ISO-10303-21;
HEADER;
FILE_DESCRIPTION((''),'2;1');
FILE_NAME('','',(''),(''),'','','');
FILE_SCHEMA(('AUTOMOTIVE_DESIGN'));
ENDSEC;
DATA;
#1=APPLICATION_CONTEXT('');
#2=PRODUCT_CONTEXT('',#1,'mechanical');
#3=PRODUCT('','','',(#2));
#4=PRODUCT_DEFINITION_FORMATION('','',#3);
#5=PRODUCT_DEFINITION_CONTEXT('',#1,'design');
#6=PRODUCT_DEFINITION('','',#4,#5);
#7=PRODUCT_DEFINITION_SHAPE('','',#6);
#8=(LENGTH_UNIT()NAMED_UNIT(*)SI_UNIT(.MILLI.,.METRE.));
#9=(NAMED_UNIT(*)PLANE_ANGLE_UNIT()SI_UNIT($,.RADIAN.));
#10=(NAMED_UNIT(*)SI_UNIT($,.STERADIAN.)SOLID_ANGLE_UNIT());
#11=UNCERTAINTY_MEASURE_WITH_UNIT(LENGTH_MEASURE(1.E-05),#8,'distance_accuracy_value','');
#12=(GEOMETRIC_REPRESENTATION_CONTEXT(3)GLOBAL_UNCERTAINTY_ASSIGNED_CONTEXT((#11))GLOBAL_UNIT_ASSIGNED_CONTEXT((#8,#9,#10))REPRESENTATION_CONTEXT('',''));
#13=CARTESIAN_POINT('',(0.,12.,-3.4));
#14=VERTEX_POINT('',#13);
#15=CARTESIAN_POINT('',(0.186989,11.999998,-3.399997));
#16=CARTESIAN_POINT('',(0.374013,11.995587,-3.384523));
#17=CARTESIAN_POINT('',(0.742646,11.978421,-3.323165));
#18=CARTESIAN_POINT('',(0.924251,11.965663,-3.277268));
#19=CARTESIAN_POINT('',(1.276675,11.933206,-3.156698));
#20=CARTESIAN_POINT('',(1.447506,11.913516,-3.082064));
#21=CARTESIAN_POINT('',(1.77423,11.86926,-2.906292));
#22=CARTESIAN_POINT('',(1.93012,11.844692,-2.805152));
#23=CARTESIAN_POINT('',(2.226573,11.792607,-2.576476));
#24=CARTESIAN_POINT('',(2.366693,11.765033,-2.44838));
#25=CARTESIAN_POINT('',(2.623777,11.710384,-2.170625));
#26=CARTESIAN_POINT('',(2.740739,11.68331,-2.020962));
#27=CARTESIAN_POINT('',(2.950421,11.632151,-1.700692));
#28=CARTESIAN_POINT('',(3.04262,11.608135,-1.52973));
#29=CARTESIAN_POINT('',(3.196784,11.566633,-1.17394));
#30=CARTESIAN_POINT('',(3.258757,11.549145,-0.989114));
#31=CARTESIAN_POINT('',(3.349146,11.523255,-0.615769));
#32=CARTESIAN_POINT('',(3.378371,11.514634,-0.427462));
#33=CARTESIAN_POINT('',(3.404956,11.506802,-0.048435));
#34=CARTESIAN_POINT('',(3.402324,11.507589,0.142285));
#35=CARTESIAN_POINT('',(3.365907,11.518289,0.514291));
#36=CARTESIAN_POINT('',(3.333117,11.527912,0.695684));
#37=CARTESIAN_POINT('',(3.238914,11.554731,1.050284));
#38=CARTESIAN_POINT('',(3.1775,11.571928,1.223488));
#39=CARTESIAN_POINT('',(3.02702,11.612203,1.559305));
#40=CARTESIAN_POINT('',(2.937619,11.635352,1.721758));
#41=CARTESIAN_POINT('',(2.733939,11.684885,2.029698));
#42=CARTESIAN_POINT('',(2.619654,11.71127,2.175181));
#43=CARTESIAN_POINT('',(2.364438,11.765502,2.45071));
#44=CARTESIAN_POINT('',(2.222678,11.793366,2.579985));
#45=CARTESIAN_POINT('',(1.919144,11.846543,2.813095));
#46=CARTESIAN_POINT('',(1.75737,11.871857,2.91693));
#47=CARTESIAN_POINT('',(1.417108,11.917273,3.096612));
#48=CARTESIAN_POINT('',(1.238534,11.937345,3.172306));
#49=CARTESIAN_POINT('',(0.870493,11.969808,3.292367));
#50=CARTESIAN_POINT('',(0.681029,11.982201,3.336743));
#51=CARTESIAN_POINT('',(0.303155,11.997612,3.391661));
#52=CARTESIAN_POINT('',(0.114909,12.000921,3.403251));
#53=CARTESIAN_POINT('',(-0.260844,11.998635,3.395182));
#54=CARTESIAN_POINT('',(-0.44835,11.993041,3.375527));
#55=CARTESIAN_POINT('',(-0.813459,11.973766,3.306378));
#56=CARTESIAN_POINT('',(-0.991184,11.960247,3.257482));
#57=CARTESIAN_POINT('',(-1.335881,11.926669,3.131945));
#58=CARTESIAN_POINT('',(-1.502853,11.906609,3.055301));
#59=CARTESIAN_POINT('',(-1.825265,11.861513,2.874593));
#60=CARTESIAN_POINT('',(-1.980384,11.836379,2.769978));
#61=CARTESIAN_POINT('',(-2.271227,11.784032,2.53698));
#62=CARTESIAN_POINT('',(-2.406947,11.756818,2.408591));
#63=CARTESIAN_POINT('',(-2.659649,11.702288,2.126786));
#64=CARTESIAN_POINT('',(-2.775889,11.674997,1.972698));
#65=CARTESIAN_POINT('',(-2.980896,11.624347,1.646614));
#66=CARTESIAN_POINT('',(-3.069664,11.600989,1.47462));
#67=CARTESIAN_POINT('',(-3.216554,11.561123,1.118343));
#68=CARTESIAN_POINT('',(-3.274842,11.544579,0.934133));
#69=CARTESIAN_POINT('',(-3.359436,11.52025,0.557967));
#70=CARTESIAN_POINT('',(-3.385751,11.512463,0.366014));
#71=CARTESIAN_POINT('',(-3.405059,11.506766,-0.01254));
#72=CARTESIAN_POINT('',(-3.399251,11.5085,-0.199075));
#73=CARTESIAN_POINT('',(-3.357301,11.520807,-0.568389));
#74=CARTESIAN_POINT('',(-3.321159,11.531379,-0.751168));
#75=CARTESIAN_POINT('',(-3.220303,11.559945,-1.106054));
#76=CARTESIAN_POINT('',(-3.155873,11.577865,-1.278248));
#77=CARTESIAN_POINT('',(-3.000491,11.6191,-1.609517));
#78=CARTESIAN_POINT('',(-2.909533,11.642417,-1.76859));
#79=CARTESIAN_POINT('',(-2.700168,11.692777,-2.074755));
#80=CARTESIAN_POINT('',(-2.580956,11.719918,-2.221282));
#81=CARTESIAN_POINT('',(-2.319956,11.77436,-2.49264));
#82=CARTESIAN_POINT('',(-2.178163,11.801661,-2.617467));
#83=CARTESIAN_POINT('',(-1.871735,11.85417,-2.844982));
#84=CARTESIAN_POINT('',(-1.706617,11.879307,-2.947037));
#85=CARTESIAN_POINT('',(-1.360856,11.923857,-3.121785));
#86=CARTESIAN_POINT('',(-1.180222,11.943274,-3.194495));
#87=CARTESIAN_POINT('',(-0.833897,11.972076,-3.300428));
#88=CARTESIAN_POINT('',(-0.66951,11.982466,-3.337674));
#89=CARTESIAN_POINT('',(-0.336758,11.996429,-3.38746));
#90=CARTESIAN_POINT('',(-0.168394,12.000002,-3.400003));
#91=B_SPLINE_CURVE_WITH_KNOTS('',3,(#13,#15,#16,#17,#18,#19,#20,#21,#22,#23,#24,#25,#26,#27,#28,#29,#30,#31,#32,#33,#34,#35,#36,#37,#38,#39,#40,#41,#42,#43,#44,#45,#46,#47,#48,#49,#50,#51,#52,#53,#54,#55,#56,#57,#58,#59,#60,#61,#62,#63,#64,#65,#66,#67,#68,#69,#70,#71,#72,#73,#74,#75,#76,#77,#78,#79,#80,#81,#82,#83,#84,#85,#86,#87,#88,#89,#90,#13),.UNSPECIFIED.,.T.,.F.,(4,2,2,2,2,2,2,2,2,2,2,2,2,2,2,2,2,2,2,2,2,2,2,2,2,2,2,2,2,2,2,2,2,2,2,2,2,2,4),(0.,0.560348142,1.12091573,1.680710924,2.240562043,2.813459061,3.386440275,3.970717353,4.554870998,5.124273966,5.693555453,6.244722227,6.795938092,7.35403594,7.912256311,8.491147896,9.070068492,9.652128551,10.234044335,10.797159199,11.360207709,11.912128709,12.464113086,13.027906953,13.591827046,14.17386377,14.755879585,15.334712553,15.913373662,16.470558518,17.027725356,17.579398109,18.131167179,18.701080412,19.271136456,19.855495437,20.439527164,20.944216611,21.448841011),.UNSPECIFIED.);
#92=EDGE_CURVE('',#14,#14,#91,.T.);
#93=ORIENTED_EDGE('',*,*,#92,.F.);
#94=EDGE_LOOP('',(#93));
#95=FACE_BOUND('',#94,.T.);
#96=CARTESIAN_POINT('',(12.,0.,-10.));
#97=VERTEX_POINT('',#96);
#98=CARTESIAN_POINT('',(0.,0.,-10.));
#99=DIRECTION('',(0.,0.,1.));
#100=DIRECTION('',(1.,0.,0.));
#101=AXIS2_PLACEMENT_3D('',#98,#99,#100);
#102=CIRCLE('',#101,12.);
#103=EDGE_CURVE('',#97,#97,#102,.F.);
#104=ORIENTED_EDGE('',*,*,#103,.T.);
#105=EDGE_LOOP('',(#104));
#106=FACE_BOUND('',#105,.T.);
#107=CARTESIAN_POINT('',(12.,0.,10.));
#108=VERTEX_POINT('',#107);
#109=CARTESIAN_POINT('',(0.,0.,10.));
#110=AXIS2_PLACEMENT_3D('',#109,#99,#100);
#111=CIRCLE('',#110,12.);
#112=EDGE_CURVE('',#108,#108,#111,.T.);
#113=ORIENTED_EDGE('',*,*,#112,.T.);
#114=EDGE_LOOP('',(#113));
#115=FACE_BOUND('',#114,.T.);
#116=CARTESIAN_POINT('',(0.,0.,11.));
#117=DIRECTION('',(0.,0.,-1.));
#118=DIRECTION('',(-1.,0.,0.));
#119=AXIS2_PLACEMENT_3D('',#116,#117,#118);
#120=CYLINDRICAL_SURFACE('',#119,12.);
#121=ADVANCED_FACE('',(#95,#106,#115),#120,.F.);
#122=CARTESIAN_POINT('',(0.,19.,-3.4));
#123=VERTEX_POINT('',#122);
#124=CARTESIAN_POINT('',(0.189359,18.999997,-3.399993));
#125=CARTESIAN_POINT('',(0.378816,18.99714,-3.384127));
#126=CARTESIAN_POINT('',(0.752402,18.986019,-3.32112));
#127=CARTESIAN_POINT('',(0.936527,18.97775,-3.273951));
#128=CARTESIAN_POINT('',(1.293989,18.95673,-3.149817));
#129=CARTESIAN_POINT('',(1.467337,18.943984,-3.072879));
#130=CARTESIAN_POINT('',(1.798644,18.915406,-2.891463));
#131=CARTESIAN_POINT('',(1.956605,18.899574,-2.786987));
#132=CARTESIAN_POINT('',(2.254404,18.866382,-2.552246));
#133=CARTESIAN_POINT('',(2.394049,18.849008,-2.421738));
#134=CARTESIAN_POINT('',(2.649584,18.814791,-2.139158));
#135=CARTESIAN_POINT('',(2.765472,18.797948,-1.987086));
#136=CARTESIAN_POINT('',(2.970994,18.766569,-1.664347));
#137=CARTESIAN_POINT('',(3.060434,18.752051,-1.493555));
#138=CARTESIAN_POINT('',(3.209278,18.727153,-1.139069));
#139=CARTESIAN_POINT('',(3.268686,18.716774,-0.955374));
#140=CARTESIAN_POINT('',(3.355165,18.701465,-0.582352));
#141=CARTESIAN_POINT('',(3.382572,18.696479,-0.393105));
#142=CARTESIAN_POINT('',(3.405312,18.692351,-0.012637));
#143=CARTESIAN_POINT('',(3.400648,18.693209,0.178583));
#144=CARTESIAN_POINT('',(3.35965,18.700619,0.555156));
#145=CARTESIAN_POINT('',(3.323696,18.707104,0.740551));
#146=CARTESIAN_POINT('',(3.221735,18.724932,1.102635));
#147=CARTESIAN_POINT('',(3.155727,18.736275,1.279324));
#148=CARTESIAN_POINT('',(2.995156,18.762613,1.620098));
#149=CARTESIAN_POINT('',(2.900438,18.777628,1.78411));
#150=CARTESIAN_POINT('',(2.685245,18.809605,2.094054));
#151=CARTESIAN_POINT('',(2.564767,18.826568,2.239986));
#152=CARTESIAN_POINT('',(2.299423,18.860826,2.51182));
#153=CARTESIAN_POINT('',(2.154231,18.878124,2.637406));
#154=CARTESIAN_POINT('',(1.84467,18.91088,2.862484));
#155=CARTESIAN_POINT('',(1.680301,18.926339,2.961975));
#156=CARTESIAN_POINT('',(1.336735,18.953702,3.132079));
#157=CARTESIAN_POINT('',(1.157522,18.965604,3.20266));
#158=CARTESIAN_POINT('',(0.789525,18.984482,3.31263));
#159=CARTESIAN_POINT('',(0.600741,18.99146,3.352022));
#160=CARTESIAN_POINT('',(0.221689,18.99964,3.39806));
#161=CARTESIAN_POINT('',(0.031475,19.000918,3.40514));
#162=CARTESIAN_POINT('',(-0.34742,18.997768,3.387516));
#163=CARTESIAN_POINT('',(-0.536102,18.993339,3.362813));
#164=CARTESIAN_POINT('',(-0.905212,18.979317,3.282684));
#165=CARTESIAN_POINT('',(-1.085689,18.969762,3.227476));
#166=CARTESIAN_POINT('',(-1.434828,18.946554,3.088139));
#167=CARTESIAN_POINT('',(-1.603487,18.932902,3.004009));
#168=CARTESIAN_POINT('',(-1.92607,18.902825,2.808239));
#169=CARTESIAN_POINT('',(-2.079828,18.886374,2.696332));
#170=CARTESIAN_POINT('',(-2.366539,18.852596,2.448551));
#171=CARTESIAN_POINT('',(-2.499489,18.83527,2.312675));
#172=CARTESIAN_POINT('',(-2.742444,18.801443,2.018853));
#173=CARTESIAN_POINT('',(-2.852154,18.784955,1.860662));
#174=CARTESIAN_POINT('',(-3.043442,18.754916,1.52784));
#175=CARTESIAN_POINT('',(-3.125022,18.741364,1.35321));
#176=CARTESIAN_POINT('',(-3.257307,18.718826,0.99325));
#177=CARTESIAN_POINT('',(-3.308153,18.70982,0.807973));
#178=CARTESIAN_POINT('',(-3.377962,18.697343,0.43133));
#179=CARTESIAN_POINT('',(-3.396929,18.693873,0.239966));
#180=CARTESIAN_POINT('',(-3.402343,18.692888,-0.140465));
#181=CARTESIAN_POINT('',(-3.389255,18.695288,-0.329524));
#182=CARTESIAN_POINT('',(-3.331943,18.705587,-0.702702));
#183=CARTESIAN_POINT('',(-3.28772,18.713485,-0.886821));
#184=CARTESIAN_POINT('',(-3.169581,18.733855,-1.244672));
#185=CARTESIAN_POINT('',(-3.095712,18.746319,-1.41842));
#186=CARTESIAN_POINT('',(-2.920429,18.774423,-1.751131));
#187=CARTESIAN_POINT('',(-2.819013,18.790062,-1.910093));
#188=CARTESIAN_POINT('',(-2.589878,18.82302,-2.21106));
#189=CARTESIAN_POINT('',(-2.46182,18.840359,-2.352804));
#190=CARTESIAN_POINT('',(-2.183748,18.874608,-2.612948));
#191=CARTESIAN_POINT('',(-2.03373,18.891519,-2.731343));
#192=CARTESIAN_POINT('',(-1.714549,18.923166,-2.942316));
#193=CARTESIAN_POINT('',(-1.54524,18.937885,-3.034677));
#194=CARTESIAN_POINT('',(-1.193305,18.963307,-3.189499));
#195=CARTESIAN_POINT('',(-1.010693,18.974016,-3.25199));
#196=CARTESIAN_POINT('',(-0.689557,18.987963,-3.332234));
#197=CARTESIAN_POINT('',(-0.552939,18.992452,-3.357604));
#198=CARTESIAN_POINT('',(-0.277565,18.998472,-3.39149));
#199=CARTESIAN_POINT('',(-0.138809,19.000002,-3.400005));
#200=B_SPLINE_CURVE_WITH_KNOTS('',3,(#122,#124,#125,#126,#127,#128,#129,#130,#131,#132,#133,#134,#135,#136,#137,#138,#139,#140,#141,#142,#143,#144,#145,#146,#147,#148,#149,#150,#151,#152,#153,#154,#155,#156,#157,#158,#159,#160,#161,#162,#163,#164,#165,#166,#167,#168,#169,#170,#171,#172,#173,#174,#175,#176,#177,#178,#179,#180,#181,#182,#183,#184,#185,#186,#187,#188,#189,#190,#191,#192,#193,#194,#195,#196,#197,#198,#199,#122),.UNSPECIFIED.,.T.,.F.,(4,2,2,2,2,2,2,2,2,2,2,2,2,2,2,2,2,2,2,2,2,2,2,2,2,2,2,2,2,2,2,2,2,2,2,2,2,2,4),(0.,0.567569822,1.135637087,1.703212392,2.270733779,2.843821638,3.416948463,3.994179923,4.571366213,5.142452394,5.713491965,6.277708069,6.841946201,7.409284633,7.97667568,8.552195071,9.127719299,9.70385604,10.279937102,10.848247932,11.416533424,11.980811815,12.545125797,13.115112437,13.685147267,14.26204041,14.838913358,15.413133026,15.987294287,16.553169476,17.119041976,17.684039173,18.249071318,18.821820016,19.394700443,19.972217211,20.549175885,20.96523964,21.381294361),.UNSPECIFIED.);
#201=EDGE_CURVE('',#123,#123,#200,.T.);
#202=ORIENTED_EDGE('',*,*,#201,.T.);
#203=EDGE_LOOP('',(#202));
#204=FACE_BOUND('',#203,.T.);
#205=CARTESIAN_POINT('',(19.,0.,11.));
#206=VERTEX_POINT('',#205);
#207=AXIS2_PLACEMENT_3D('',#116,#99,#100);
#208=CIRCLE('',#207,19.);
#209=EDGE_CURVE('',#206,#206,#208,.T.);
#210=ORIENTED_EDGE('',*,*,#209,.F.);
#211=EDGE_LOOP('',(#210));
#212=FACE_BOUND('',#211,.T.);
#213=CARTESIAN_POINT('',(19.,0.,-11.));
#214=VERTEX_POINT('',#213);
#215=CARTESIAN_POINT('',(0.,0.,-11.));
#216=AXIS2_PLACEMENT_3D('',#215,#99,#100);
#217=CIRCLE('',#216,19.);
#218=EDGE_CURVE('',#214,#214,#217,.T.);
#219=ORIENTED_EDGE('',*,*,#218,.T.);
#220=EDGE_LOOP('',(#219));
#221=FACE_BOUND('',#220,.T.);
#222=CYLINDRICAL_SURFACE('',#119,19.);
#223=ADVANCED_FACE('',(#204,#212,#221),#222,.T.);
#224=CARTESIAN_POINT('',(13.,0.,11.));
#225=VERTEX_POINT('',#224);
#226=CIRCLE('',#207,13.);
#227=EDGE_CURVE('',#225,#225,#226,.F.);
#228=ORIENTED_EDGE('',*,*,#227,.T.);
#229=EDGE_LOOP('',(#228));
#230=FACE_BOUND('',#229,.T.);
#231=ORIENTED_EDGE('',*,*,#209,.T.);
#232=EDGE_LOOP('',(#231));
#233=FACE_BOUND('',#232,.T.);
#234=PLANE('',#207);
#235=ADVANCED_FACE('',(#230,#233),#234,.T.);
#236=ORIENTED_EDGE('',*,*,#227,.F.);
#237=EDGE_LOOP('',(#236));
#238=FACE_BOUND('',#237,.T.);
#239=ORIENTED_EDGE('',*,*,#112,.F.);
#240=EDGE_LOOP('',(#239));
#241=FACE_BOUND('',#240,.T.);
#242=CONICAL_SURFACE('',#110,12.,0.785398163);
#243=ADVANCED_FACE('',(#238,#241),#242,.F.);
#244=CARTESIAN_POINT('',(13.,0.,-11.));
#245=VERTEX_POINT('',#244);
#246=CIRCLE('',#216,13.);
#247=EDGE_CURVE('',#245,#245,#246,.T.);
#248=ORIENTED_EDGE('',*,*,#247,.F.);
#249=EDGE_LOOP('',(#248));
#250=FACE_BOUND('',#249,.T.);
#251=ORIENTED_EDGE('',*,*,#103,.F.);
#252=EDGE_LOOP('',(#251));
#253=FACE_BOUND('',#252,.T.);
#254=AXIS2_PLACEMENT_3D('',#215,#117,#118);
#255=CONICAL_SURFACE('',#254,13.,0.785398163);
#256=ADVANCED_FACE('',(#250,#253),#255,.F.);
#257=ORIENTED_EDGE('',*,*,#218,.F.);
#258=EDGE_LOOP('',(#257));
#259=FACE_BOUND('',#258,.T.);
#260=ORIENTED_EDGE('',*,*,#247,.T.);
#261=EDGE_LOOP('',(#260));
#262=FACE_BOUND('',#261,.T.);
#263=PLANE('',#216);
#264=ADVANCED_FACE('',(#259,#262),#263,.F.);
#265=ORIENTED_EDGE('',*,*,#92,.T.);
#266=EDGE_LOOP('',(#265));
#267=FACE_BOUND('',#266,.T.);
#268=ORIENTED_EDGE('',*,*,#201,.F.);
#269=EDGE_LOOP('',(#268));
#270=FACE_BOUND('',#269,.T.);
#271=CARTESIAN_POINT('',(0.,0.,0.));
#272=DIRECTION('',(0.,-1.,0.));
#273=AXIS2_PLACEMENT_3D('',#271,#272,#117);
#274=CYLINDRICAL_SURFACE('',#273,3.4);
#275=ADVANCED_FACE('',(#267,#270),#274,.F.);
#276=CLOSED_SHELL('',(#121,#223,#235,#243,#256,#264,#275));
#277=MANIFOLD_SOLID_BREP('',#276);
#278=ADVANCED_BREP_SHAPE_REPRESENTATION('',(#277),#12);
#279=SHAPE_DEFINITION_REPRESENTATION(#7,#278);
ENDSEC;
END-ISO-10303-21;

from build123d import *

# Parameters (mm, degrees)
SKETCH_1_R      = 19
SKETCH_1_R_2    = 12
EXTRUDE_1_DEPTH = 11
CHAMFER_1_SIZE  = 1
SKETCH_3_W      = 3.4
SKETCH_3_H      = 19


with BuildPart() as part:
    # 草图1 → 凸台-拉伸1 (new, symmetric)
    with BuildSketch(Plane.XY):
        Circle(SKETCH_1_R)
        Circle(SKETCH_1_R_2, mode=Mode.SUBTRACT)
    extrude(amount=EXTRUDE_1_DEPTH, both=True)

    # 倒角1
    chamfer_1_edges = [part.edges().sort_by_distance(p)[0] for p in [
        (-12, 0, -11),
        (-12, 0, 11),
    ]]
    chamfer(chamfer_1_edges, length=CHAMFER_1_SIZE)

    # 草图3 → M8 螺纹孔1 (revolve, cut)
    with BuildSketch(Plane(origin=(0, 0, 0), x_dir=(0, 0, -1), z_dir=(1, 0, 0))):
        with Locations((1.7, 9.5)):
            Rectangle(SKETCH_3_W, SKETCH_3_H)
    revolve(axis=Axis((0, -6.35, 0), (0, 1, 0)), mode=Mode.SUBTRACT)


solid = part.part
